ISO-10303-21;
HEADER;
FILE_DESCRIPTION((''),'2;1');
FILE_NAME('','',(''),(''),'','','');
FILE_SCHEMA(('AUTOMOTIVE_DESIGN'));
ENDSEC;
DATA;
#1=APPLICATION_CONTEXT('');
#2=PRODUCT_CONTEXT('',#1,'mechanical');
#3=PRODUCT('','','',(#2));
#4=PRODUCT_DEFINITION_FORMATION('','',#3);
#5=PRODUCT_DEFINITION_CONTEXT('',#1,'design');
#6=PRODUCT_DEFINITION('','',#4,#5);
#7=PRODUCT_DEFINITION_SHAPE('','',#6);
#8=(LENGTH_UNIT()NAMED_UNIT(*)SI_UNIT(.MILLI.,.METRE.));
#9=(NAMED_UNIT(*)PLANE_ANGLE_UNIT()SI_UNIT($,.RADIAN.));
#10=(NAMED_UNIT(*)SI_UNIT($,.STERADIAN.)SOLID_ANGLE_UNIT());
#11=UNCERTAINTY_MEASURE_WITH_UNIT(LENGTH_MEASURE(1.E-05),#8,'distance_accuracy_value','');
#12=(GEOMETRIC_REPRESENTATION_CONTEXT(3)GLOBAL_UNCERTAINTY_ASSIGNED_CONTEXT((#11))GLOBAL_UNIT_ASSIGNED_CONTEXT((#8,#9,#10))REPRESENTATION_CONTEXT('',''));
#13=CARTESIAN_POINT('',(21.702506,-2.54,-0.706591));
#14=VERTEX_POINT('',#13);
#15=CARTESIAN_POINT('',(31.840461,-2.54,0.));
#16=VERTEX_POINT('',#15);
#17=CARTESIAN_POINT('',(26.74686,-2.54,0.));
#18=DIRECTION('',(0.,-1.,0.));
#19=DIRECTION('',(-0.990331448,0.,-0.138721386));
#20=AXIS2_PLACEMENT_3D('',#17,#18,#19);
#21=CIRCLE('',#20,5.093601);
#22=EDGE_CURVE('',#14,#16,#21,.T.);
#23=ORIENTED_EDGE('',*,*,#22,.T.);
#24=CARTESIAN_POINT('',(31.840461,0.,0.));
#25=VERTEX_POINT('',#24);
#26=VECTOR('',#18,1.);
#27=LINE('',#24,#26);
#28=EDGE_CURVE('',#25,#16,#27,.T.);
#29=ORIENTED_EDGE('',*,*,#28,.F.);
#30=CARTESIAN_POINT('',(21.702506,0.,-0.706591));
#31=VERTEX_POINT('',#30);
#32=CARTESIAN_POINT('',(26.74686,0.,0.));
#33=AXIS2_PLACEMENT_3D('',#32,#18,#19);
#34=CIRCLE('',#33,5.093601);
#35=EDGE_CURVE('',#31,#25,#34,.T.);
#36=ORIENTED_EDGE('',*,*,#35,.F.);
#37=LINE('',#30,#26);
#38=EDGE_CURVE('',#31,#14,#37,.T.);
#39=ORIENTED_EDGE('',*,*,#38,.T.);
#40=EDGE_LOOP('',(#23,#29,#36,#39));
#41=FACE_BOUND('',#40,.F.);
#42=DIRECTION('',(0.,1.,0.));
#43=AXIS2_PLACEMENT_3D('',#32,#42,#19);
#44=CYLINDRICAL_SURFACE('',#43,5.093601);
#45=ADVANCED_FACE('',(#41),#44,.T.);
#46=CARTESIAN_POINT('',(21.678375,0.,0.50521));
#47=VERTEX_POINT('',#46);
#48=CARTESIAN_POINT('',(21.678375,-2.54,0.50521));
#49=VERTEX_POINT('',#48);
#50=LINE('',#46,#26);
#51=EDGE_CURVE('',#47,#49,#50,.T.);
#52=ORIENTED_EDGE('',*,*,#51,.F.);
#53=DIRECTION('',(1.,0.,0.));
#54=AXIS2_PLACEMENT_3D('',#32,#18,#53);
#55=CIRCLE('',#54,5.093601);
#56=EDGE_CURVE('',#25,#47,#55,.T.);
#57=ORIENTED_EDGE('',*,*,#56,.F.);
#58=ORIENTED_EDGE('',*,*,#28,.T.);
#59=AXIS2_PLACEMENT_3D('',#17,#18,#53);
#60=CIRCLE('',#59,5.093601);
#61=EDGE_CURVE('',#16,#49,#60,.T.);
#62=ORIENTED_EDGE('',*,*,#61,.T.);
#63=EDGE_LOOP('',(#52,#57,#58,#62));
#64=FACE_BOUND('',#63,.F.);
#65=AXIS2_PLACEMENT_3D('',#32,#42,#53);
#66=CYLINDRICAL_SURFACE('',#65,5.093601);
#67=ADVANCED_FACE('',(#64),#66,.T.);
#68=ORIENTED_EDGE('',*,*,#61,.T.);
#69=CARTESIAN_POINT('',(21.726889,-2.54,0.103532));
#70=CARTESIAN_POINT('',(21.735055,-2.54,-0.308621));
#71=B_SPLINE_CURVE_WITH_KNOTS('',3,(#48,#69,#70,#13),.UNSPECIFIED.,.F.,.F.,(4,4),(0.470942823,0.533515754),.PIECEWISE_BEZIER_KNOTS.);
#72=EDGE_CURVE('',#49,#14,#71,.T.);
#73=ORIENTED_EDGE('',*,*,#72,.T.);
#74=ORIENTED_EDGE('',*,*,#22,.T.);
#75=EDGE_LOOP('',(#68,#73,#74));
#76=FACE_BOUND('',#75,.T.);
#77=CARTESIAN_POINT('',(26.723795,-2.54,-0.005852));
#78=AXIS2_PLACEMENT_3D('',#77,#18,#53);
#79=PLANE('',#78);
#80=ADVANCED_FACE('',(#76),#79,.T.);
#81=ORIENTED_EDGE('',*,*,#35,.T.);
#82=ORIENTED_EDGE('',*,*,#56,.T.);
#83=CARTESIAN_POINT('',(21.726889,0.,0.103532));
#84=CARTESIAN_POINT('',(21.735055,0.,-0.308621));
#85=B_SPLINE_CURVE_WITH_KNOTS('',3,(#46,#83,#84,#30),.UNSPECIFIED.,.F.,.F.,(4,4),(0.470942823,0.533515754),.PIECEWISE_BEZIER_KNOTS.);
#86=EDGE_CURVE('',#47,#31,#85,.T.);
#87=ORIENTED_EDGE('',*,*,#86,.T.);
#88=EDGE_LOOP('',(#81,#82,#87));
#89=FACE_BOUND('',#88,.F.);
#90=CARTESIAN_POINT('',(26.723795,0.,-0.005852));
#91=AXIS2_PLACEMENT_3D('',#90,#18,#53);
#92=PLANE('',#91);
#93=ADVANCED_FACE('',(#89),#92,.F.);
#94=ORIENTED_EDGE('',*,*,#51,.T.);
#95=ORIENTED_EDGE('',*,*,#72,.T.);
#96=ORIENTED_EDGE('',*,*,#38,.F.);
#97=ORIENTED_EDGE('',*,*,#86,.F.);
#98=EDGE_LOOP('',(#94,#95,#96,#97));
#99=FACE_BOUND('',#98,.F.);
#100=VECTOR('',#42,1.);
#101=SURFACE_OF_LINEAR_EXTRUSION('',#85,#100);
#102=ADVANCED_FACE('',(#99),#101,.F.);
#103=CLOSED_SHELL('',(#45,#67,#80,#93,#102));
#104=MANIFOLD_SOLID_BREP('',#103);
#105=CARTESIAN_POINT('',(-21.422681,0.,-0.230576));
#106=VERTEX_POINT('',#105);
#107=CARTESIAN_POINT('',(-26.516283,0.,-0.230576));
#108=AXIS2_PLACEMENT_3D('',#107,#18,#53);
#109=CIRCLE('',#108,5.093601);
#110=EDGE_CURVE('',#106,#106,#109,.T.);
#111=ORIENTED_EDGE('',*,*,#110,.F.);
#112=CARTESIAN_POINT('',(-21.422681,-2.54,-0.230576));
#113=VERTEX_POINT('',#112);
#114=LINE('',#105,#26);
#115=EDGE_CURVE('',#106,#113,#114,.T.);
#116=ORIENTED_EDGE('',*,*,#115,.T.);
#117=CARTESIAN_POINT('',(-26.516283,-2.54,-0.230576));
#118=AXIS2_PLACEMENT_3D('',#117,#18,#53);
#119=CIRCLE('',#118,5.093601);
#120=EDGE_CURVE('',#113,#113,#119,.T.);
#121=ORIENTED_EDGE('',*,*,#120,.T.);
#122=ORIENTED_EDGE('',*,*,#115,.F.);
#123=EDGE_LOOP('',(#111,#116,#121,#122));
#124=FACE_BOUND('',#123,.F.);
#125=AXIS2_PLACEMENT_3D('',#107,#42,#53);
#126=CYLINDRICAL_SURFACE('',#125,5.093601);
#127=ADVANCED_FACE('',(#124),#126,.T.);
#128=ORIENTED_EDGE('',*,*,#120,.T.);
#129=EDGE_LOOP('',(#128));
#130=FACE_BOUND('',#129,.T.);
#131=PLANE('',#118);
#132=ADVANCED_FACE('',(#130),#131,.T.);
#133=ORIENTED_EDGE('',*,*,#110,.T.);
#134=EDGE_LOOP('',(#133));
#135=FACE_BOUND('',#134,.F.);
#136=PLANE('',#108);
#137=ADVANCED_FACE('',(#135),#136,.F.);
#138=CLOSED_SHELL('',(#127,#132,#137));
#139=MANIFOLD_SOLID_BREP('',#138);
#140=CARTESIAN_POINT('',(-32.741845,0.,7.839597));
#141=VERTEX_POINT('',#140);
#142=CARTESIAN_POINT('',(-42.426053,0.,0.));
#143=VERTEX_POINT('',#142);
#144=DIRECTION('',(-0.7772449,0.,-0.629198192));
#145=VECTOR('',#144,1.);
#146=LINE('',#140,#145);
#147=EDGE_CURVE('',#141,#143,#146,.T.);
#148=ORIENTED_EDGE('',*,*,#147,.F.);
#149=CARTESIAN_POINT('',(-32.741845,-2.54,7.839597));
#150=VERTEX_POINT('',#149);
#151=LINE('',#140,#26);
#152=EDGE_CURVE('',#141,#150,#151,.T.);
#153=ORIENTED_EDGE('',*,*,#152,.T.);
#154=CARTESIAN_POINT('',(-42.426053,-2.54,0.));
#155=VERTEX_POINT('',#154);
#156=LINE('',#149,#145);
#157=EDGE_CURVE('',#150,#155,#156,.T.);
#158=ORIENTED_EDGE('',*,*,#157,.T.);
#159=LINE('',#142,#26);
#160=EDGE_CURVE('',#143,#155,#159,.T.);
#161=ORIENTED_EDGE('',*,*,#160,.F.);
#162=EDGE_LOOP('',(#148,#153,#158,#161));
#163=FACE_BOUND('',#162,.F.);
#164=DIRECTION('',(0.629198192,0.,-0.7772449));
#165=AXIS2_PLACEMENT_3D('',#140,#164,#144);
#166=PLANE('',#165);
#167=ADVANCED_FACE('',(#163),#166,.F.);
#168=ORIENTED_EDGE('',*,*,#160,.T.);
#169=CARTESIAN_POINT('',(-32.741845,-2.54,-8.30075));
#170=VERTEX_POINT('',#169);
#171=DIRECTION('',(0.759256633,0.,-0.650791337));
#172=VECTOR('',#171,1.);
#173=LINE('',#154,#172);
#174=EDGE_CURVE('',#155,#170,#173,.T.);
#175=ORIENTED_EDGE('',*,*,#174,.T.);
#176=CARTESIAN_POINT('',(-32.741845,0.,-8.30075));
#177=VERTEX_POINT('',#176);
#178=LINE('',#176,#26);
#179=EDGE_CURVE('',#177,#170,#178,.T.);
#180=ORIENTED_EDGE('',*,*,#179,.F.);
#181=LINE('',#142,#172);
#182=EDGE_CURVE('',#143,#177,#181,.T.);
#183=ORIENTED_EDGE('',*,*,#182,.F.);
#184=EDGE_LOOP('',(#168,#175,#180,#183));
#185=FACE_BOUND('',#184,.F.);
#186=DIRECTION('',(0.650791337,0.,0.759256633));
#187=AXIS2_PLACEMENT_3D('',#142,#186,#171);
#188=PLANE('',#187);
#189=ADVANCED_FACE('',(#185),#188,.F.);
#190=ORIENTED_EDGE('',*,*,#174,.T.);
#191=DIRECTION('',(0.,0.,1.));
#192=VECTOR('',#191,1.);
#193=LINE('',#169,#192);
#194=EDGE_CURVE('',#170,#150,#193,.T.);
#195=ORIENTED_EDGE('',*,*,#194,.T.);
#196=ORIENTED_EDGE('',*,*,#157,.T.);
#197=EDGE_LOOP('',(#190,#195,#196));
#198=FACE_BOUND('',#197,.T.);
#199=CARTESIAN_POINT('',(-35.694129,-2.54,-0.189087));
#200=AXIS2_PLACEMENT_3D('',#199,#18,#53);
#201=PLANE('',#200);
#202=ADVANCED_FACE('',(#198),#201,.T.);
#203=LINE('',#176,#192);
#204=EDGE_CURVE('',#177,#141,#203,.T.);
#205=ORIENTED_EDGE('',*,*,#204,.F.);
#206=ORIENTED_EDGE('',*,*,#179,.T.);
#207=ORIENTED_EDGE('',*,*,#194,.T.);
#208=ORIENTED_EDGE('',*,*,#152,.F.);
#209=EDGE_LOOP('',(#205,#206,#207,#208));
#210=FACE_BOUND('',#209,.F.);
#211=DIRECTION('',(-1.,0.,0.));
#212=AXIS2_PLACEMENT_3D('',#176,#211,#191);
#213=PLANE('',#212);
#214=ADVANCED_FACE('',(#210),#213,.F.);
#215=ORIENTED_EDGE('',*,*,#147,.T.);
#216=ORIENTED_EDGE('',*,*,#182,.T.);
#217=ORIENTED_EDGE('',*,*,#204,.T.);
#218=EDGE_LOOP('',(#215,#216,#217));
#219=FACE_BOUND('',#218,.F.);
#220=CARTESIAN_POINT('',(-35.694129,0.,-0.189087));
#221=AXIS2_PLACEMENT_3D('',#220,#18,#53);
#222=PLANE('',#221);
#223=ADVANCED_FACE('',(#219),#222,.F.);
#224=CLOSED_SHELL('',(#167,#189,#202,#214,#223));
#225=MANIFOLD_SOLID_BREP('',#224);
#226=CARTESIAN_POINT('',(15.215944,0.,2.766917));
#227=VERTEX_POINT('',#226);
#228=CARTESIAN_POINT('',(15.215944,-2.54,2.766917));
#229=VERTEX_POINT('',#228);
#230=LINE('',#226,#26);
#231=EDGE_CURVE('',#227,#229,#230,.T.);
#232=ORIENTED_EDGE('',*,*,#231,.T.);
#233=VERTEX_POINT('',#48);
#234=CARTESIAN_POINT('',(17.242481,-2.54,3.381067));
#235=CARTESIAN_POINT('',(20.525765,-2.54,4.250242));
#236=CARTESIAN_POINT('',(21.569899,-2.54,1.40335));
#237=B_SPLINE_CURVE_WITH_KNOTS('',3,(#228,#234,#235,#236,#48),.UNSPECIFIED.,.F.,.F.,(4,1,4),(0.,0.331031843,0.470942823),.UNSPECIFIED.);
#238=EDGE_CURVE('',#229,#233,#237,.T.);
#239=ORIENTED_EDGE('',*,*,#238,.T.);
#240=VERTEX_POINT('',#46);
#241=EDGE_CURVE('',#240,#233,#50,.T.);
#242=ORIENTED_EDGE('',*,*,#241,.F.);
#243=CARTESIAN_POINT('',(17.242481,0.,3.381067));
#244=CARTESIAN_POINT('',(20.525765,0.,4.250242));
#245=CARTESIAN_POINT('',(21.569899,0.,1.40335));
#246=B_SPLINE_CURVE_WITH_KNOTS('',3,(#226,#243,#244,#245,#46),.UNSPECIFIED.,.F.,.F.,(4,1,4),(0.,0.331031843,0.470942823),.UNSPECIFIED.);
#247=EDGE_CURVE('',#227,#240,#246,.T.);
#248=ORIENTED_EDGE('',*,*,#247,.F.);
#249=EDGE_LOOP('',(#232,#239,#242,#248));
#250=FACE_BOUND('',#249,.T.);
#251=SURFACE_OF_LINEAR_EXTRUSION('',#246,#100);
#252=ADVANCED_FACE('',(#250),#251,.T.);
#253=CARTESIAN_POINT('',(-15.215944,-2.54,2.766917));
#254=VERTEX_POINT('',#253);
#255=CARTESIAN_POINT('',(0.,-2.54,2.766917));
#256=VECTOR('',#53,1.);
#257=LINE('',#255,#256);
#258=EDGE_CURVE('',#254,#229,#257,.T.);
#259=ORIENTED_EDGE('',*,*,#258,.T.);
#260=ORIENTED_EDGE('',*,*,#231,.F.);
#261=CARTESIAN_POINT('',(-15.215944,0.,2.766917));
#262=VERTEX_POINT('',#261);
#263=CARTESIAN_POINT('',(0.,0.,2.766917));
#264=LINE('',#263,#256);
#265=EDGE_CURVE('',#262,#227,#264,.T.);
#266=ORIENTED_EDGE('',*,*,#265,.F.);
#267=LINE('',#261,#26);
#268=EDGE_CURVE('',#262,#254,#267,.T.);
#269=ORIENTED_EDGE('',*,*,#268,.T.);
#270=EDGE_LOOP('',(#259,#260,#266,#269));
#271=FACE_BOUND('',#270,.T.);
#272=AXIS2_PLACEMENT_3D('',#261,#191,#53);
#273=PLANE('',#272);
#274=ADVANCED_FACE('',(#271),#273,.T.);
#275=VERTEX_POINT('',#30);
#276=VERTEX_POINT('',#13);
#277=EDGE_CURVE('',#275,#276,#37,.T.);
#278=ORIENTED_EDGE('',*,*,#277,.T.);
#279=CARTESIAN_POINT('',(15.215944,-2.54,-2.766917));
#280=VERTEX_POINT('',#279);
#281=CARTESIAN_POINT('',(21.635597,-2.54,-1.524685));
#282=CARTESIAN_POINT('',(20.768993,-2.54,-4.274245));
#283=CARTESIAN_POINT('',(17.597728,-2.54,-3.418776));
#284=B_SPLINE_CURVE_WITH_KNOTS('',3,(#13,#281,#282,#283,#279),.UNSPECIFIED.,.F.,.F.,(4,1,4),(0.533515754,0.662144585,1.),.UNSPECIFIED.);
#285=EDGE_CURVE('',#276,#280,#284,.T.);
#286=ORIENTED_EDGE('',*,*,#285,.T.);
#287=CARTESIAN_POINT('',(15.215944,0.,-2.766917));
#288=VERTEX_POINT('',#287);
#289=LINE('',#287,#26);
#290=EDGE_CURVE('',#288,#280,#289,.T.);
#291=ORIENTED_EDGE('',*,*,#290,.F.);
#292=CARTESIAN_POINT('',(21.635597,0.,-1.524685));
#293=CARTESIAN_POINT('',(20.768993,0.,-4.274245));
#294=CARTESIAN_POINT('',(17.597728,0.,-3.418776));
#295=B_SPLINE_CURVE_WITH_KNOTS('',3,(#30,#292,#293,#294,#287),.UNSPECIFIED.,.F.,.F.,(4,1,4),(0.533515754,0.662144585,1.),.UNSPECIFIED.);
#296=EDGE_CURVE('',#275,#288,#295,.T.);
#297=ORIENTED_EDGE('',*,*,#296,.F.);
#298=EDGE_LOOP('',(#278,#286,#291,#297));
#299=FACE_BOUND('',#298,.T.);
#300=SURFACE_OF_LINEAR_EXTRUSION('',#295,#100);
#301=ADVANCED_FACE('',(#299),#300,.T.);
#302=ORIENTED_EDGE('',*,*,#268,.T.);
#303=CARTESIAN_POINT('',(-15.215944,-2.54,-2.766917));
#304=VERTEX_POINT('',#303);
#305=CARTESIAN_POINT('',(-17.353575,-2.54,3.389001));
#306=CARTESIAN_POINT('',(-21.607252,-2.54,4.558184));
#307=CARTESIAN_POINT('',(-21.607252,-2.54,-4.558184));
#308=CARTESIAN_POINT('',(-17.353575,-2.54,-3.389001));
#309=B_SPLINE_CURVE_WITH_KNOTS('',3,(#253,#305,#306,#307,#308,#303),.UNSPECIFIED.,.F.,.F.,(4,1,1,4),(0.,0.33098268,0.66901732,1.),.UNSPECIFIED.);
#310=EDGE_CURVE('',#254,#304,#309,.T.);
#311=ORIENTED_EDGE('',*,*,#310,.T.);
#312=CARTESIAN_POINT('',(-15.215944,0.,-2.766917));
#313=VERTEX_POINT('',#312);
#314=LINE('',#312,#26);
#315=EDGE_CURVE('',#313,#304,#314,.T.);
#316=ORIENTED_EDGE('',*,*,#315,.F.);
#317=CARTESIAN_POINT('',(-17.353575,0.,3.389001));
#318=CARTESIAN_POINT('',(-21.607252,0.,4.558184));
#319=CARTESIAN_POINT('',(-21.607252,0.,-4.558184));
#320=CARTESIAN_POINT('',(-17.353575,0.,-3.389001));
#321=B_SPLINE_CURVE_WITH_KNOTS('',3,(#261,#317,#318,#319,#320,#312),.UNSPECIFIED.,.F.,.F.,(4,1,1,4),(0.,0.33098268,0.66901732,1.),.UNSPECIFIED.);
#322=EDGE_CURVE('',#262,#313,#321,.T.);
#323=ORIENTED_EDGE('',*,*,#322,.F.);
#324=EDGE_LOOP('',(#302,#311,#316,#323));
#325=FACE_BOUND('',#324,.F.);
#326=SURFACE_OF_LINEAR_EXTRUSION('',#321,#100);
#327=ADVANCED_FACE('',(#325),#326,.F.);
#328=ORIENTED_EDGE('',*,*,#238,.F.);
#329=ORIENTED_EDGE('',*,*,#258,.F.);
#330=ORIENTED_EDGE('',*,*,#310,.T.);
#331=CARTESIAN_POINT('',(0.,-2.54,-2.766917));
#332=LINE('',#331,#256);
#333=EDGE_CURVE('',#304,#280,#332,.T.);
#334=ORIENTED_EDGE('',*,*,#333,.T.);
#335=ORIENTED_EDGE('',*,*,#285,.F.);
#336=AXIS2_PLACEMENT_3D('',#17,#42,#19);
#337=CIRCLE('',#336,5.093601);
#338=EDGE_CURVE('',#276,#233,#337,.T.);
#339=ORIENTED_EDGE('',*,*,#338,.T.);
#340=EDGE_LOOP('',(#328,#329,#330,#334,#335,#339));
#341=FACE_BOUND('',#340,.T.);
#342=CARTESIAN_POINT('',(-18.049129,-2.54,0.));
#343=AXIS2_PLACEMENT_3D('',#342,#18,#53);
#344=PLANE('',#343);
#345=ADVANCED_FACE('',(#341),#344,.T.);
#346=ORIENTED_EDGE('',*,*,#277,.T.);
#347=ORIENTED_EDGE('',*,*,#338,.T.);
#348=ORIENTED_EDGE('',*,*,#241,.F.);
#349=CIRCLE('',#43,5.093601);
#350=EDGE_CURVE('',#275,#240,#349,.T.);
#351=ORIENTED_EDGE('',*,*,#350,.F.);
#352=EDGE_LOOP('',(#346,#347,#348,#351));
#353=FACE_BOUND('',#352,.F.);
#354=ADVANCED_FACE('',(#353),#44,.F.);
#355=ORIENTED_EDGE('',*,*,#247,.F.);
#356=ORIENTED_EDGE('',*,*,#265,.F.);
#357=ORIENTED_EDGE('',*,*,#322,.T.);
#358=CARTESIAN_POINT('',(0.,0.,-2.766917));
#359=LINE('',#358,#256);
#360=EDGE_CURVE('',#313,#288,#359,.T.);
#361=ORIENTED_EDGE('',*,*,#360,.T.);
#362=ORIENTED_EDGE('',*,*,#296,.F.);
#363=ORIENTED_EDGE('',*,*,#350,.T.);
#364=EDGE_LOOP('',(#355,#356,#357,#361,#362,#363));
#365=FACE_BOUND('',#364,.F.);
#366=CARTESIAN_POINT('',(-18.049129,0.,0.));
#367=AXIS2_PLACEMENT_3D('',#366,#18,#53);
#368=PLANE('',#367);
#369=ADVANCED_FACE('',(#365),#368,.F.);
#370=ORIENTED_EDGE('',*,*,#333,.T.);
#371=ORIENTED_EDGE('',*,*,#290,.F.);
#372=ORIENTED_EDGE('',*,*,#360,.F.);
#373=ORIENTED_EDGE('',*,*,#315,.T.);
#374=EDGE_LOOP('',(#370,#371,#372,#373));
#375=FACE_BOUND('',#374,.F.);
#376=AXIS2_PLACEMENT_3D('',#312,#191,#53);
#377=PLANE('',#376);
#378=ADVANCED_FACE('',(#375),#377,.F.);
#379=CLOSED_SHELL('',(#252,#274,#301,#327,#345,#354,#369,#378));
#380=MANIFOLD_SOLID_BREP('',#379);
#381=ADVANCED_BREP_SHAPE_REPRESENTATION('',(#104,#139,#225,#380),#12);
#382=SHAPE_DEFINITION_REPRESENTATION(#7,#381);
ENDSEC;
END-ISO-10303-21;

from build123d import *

# Parameters (mm, degrees)
F0_R     = 5.0936014399
F1_DEPTH = 2.54
F0_W     = 30.4318889836
F0_H     = 5.5338330567
F3_DEPTH = 2.54


with BuildPart() as f1:
    # F0 (on Front) → F1 (new body)
    with BuildSketch(Plane.XZ):
        with Locations((-26.516282931, -0.2305764065)):
            Circle(F0_R)
    extrude(amount=F1_DEPTH)


with BuildPart() as f1b:
    # F0 (on Front) → F1, piece 2 (new body)
    with BuildSketch(Plane.XZ):
        with BuildLine():
            Line((-15.2159444918, -2.7669165283), (-15.2159444918, 2.7669165283))
            add(Edge.make_bspline(
                [(-15.2159444918, 2.7669165283), (-17.353574529, 3.3890009994), (-21.6072523116, 4.5581842569), (-21.6072523116, -4.5581842569), (-17.353574529, -3.3890009994), (-15.2159444918, -2.7669165283)],
                knots=[0, 0, 0, 0, 0.3309826804, 0.6690173196, 1, 1, 1, 1], degree=3))
        make_face()
        Rectangle(F0_W, F0_H)
        with BuildLine():
            add(Edge.make_bspline(
                [(15.2159444918, 2.7669165283), (17.2424814102, 3.3810666967), (20.5257650284, 4.2502424817), (21.5698992066, 1.4033496754), (21.6783749574, 0.5052101466)],
                knots=[0, 0, 0, 0, 0.3310318426, 0.4709428235, 0.4709428235, 0.4709428235, 0.4709428235], degree=3))
            Line((15.2159444918, 2.7669165283), (15.2159444918, -2.7669165283))
            add(Edge.make_bspline(
                [(21.7025060841, -0.7065914512), (21.6355969577, -1.5246852191), (20.7689928637, -4.2742452326), (17.5977275056, -3.4187762085), (15.2159444918, -2.7669165283)],
                knots=[0.5335157542, 0.5335157542, 0.5335157542, 0.5335157542, 0.6621445845, 1, 1, 1, 1], degree=3))
            ThreePointArc((21.7025060841, -0.7065914512), (21.6542679542, -0.1014109722), (21.6783749574, 0.5052101466))
        make_face()
    extrude(amount=F1_DEPTH)


with BuildPart() as f1c:
    # F0 (on Front) → F1, piece 3 (new body)
    with BuildSketch(Plane.XZ):
        with BuildLine():
            ThreePointArc((31.8404612138, 0), (26.9997768242, 5.0873184089), (21.6783749574, 0.5052101466))
            add(Edge.make_bspline(
                [(21.6783749574, 0.5052101466), (21.7268889883, 0.1035317212), (21.7350547757, -0.3086206032), (21.7025060841, -0.7065914512)],
                knots=[0.4709428235, 0.4709428235, 0.4709428235, 0.4709428235, 0.5335157542, 0.5335157542, 0.5335157542, 0.5335157542], degree=3))
            ThreePointArc((21.7025060841, -0.7065914512), (27.1010125729, -5.0812745865), (31.8404612138, 0))
        make_face()
    extrude(amount=F1_DEPTH)


with BuildPart() as f3:
    # F2 (on Front) → F3 (new body)
    with BuildSketch(Plane.XZ):
        Polygon((-32.7418446541, -8.300749585), (-32.7418446541, 0), (-32.7418446541, 7.8395968303), (-42.4260534346, 0), align=None)
    extrude(amount=F3_DEPTH)


solid = Compound([f1.part, f1b.part, f1c.part, f3.part])
